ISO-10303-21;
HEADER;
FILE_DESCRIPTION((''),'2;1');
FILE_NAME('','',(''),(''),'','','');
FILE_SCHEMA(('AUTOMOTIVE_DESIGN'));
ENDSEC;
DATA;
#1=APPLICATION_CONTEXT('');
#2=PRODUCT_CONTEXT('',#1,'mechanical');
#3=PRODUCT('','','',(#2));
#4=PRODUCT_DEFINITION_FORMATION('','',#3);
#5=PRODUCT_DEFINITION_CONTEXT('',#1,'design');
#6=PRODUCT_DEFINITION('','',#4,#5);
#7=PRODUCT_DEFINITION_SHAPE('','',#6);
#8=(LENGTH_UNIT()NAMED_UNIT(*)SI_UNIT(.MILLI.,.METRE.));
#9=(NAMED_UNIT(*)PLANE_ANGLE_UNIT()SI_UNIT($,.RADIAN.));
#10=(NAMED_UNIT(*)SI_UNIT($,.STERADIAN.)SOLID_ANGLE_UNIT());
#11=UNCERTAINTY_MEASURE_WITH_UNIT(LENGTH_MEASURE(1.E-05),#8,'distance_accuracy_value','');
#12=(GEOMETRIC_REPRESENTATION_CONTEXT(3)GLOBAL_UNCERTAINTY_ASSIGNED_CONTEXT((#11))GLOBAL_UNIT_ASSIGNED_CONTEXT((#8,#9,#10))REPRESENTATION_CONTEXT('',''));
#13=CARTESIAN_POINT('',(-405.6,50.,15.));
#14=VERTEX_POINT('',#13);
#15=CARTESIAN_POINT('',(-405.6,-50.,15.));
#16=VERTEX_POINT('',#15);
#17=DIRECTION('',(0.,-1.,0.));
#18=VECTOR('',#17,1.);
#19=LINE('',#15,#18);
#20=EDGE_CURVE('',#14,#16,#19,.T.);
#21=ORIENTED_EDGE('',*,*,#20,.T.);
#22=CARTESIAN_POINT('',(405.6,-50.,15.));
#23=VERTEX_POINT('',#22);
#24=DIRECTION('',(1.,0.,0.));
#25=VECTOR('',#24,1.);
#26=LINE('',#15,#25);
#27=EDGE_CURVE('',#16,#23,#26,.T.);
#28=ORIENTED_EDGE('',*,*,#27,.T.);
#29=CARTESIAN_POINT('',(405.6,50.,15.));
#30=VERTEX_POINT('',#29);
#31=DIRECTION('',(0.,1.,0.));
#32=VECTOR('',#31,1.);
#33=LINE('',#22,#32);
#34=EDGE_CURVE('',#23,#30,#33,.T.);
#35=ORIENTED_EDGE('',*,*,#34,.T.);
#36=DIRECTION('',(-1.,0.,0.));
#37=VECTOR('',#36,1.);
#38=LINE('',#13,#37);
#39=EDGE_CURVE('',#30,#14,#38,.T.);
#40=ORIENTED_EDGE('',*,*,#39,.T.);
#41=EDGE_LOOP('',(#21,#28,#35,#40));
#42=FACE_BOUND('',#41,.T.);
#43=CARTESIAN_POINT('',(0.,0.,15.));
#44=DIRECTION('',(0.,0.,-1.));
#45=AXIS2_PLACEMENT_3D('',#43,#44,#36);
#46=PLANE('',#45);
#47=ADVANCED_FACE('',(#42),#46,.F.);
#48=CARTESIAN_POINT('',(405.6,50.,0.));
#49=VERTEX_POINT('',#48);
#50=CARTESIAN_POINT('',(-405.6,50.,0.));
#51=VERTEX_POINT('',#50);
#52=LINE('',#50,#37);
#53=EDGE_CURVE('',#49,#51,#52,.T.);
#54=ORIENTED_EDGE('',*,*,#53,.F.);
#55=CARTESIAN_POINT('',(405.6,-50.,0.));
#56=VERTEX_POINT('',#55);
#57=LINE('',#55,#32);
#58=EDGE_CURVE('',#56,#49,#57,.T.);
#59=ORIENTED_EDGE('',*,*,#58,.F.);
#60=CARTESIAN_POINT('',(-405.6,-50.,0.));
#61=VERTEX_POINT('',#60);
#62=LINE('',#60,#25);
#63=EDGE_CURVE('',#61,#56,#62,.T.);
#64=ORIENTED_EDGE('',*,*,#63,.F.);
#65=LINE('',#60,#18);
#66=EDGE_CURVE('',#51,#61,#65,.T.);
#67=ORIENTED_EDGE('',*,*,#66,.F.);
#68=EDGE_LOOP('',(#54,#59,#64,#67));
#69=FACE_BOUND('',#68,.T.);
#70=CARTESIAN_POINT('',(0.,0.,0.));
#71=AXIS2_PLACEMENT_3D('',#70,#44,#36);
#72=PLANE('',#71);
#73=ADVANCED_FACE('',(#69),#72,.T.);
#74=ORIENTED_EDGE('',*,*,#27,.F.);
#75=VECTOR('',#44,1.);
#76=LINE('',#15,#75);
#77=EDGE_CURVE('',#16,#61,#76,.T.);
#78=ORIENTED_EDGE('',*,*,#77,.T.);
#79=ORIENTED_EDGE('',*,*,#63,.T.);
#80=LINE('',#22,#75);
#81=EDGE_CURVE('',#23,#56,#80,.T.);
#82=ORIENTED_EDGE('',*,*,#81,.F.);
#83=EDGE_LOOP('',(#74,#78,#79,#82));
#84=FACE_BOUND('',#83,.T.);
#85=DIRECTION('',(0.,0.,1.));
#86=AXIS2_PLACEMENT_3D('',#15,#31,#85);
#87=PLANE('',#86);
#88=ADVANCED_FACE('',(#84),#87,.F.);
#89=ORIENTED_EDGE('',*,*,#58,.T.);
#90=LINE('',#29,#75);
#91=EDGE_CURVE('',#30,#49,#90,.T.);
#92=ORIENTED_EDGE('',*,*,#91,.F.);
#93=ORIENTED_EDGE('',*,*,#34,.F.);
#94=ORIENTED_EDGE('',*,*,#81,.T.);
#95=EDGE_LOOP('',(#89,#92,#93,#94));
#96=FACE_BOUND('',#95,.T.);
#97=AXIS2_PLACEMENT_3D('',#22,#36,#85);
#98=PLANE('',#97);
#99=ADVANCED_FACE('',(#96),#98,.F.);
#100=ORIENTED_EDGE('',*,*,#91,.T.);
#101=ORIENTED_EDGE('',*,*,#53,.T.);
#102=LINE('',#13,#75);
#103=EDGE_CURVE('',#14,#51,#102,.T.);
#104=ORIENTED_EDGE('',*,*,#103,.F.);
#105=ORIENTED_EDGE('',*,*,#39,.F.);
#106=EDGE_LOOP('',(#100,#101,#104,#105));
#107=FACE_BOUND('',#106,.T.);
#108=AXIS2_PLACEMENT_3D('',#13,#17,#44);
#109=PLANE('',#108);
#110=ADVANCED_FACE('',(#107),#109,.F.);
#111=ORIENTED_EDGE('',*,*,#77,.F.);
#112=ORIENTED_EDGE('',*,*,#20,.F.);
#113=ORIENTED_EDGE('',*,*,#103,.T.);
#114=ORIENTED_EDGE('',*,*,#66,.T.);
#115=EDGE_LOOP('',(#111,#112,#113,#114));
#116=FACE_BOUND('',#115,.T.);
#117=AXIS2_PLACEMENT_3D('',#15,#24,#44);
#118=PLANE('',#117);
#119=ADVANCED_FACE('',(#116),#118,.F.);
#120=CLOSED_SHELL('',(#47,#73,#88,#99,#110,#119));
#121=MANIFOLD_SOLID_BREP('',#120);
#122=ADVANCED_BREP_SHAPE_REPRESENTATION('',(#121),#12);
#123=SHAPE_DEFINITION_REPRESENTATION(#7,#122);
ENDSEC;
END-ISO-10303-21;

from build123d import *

# Parameters (mm, degrees)
CROQUIS1_W              = 811.2
CROQUIS1_H              = 100
SALIENTE_EXTRUIR1_DEPTH = 15


with BuildPart() as part:
    # Croquis1 → Saliente-Extruir1 (new body)
    with BuildSketch(Plane.XY):
        Rectangle(CROQUIS1_W, CROQUIS1_H)
    extrude(amount=SALIENTE_EXTRUIR1_DEPTH)


solid = part.part
